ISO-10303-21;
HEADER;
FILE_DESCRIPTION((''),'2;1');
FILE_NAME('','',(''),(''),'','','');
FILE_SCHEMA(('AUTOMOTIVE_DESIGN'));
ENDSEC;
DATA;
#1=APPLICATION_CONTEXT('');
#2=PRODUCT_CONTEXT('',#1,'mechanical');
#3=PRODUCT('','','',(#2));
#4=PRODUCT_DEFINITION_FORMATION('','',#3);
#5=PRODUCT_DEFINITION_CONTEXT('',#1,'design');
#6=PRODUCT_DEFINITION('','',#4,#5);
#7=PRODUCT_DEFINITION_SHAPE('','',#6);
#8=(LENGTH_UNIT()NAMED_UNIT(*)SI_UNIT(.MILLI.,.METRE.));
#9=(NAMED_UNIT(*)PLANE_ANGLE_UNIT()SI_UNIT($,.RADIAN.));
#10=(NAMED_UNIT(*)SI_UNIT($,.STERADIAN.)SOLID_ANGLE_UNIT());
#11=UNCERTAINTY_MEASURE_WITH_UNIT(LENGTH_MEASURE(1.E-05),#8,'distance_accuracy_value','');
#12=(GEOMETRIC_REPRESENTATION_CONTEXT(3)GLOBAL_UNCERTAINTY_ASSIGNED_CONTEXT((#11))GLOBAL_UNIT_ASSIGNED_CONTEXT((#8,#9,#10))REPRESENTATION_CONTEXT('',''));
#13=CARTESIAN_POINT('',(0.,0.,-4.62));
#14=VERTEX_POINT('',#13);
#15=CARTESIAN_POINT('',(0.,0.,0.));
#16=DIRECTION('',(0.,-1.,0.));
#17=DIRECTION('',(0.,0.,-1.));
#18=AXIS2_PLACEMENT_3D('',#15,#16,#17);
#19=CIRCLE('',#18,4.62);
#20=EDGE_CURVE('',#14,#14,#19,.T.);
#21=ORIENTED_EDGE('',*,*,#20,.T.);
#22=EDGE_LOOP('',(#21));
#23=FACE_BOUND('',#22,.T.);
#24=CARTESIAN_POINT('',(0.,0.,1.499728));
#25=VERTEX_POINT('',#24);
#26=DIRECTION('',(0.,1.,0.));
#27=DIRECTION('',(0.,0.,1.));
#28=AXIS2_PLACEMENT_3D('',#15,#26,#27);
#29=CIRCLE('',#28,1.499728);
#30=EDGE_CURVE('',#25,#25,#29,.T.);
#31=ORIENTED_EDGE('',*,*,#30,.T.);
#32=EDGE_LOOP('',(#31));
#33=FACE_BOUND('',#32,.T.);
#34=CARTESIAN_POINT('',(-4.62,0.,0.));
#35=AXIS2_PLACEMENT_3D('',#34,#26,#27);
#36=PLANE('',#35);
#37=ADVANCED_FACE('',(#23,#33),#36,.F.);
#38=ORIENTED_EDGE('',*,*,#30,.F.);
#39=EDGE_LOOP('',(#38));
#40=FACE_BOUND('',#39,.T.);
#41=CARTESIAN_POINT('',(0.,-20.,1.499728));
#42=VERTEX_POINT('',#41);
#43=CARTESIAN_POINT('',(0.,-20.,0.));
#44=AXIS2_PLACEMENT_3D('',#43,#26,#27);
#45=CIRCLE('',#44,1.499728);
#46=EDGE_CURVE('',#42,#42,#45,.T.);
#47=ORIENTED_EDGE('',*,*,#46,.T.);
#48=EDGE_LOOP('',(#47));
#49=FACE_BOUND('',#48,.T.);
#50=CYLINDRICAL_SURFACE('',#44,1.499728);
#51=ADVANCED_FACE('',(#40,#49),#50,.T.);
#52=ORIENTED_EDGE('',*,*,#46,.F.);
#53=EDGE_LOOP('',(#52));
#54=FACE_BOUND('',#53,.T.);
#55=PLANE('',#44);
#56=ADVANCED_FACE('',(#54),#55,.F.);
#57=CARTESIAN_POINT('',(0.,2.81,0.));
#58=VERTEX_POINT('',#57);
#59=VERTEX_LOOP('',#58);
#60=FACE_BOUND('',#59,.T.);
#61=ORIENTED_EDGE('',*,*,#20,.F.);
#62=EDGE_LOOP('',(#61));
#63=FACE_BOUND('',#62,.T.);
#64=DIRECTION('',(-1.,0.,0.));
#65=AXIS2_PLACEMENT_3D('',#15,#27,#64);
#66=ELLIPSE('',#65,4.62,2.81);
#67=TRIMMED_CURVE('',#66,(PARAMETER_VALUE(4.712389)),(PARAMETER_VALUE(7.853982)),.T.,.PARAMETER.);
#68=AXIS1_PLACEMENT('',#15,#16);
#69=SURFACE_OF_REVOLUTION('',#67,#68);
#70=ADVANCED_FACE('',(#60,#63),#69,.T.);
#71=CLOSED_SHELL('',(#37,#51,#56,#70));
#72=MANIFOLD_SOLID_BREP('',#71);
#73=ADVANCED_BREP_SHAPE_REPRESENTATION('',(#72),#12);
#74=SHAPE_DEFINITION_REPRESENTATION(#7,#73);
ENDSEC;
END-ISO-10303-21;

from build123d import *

# Parameters (mm, degrees)
SKETCH3_R           = 1.499728184
BOSS_EXTRUDE1_DEPTH = 20


with BuildPart() as part:
    # Sketch2 → Revolve1 (revolve)
    with BuildSketch(Plane.XY):
        with BuildLine():
            Line((-4.62, 0), (0, 0))
            Line((0, 0), (0, 2.81))
            add(Edge.make_bspline(
                [(0, 2.81), (-4.62, 2.81), (-4.62, 0)],
                knots=[4.71238898, 4.71238898, 4.71238898, 6.283185307, 6.283185307, 6.283185307], degree=2, weights=[1, 0.707106781, 1]))
        make_face()
    revolve(axis=Axis((0, 0, 0), (0, 1, 0)))

    # Sketch3 → Boss-Extrude1 (add)
    with BuildSketch(Plane(origin=(0, 0, 0), x_dir=(1, 0, 0), z_dir=(0, 1, 0))):
        Circle(SKETCH3_R)
    extrude(amount=-BOSS_EXTRUDE1_DEPTH)


solid = part.part
